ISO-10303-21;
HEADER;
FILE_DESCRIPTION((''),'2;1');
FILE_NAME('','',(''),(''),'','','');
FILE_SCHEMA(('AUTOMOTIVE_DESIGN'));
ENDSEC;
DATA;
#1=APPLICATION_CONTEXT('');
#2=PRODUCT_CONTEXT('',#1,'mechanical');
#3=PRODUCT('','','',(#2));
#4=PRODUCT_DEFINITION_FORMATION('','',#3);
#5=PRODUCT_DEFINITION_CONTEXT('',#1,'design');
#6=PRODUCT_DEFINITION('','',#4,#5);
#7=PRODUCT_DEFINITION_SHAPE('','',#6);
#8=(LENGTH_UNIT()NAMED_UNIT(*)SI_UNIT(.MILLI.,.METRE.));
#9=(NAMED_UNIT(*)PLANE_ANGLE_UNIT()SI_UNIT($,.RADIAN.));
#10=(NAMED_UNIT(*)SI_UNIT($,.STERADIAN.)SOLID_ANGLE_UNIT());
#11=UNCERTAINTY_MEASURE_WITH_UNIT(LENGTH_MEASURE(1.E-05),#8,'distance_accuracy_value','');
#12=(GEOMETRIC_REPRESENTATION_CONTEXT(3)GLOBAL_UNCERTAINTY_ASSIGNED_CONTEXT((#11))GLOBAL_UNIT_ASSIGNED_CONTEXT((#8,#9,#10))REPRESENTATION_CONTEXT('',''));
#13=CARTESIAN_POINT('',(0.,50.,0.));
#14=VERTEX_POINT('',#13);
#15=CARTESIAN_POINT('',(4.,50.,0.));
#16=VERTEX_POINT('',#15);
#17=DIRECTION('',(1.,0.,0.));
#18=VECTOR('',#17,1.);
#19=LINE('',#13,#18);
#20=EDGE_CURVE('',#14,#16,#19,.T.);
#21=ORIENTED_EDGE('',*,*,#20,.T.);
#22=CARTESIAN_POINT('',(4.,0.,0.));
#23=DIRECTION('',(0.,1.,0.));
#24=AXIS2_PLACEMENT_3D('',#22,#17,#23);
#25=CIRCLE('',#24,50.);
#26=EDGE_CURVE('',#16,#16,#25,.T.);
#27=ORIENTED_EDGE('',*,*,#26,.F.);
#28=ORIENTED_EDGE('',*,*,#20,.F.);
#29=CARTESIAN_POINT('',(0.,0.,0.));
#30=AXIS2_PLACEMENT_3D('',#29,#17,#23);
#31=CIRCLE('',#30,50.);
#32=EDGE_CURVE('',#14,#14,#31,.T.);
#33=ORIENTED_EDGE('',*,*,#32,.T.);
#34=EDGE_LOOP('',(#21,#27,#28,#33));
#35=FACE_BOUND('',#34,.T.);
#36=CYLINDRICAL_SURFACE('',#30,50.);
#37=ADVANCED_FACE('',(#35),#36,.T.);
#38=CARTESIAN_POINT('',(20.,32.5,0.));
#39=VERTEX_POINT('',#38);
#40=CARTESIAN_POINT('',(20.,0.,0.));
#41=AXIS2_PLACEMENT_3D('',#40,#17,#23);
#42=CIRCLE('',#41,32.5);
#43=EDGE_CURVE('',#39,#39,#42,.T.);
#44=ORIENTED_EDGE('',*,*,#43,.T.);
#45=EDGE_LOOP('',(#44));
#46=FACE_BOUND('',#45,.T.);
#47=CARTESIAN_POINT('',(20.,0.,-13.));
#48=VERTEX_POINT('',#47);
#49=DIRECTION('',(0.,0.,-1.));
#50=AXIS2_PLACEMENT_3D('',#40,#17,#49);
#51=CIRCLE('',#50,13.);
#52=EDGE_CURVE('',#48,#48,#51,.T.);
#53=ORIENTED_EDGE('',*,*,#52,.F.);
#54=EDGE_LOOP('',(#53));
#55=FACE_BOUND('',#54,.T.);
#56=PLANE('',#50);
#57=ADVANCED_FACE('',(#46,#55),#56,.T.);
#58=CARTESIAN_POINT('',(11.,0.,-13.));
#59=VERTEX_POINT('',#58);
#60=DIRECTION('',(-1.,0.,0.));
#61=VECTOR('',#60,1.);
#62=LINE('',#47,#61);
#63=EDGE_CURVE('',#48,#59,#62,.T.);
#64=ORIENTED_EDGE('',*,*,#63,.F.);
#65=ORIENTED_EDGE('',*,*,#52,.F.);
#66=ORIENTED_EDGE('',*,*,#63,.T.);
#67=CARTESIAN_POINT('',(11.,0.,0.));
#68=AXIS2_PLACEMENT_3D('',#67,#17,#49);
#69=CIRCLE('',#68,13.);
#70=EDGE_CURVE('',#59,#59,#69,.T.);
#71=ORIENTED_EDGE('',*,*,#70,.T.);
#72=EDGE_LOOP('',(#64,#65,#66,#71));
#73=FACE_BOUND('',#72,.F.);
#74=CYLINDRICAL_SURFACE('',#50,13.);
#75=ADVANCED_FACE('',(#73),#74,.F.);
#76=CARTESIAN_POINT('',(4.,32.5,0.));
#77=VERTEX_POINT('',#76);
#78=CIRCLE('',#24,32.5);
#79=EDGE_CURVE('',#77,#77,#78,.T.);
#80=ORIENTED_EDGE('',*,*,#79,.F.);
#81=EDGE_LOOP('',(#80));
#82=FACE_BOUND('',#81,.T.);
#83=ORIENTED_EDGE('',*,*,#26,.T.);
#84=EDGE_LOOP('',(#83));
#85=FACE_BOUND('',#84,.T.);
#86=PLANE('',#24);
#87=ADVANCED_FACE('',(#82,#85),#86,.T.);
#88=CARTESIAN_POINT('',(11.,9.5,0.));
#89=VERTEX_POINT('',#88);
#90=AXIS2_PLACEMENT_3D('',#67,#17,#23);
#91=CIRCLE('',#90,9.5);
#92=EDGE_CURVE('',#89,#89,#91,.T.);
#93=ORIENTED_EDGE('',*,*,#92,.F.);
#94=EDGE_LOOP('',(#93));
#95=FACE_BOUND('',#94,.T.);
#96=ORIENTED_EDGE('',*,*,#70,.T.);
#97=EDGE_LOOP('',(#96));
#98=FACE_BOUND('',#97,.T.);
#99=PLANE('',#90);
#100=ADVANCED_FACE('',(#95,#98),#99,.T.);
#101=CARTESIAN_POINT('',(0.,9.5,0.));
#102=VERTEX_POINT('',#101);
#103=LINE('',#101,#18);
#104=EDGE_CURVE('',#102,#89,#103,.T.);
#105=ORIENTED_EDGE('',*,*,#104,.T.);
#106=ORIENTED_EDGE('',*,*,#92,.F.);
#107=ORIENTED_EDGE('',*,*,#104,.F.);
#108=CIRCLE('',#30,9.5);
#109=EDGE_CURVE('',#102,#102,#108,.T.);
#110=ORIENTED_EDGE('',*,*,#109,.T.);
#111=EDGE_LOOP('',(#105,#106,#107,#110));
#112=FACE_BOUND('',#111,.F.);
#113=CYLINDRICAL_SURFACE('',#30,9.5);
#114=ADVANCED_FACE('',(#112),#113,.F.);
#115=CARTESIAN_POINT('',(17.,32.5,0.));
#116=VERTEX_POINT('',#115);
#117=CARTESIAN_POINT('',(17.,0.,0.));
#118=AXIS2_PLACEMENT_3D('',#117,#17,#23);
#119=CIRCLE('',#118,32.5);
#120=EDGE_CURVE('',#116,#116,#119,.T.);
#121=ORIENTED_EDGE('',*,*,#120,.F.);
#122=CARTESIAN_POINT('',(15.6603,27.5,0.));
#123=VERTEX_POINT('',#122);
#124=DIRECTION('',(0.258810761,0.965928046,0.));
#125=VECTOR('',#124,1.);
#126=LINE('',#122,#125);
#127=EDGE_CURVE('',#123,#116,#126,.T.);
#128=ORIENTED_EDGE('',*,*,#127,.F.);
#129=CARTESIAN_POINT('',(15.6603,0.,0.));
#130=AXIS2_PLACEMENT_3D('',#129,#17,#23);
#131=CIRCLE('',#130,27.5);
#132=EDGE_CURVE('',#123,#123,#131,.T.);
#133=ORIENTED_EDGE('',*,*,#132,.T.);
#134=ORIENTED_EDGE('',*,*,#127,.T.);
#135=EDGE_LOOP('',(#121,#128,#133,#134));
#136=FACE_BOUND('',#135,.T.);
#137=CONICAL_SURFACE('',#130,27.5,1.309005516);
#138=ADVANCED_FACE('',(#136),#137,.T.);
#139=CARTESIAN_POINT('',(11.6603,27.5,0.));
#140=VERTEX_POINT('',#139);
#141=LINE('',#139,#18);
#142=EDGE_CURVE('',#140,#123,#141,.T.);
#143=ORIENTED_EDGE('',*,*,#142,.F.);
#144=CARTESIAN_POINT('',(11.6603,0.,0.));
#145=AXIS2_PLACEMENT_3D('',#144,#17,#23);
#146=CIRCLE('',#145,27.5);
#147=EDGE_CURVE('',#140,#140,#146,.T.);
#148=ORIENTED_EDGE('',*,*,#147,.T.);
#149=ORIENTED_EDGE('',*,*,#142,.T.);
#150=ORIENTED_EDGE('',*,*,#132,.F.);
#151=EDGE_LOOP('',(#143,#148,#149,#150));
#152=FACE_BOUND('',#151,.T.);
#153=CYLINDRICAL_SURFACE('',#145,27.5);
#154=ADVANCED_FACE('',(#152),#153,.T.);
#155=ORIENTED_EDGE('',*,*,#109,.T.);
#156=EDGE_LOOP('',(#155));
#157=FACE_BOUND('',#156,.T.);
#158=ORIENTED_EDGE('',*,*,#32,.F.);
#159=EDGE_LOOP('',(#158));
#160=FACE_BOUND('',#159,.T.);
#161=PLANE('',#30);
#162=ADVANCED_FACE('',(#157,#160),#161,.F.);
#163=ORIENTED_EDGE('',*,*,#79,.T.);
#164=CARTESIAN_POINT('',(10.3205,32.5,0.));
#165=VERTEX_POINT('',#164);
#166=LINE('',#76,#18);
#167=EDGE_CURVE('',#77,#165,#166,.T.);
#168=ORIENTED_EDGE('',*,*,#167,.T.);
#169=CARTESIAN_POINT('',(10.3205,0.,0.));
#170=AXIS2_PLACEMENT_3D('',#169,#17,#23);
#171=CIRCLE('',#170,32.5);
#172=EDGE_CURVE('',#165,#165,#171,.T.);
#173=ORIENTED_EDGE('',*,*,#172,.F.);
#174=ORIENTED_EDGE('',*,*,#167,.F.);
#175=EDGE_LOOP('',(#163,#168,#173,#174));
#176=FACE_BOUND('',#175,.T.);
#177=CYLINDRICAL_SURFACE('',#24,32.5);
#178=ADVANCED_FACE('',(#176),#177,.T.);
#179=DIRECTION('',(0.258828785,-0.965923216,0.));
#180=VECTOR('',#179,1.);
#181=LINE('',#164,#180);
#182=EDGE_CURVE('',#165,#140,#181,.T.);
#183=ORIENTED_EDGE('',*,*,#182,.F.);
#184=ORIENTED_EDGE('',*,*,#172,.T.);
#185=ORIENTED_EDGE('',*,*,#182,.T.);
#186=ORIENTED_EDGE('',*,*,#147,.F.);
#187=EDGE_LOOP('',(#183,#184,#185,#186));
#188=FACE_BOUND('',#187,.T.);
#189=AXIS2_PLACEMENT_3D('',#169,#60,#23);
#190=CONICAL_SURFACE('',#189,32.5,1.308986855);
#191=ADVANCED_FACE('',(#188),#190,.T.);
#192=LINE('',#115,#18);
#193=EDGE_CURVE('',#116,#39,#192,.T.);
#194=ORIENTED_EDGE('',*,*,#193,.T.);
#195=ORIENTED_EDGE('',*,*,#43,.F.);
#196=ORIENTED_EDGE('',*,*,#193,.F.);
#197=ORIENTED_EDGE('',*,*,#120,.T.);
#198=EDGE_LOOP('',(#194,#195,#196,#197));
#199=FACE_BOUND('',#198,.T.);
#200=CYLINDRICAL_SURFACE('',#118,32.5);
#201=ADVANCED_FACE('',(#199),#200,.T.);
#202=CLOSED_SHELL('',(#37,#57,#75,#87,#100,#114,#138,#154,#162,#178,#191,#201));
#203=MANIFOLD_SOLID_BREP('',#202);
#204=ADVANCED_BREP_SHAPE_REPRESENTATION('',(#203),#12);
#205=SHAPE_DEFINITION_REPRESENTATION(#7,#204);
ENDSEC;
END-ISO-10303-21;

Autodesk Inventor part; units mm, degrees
ref_plane "YZ Plane" through (0, 0, 0) normal (1, 0, 0) x (0, 1, 0)
ref_plane "XZ Plane" through (0, 0, 0) normal (0, 1, 0) x (-1, 0, 0)
ref_plane "XY Plane" through (0, 0, 0) normal (0, 0, 1) x (1, 0, 0)
sketch "Boceto1" plane through (0, 0, 0) normal (0, 0, 1) x (1, 0, 0)
  line L0 (0, 0) -> (24.2042, 0) construction
  line L1 (0, 9.5) -> (11, 9.5)
  line L2 (0, 9.5) -> (0, 50)
  line L3 (0, 50) -> (4, 50)
  line L4 (4, 50) -> (4, 32.5)
  line L5 (4, 32.5) -> (10.3205, 32.5)
  line L6 (10.3205, 32.5) -> (11.6603, 27.5)
  line L7 (11.6603, 27.5) -> (15.6603, 27.5)
  line L8 (15.6603, 27.5) -> (17, 32.5)
  line L9 (17, 32.5) -> (20, 32.5)
  line L10 (20, 32.5) -> (20, 13.925)
  line L11 (20, 13.925) -> (11, 13.925)
  line L12 (11, 13.925) -> (11, 9.5)
  line L13 (0, 0) -> (0, 63.5344) construction
  line L14 (13.6603, 27.5) -> (13.6603, 32.5) construction
  line L15 (13.6603, 32.5) -> (10.3205, 32.5) construction
  dimension "d0" = 50
  dimension "d1" = 4
  dimension "d3" = 3
  dimension "d4" = 13.925
  dimension "d5" = 5
  dimension "d6" = 4
  dimension "d7" = 15
  dimension "d8" = 15
  dimension "d10" = 9.5
  dimension "d11" = 9
  dimension "d12" = 32.5
  dimension "d13" = 20
revolve "Revolución1" add sketch "Boceto1" angle 360 about axis through (0, 0, 0) along (1, 0, 0)
sketch "Sketch2" plane through (20, 0, 0) normal (1, 0, 0) x (0, 0, -1)
  circle A0 centre (0, 0) radius 13.925 projected
  circle A1 centre (0, 0) radius 13
  circle A2 centre (0, 0) radius 13.925 projected
  dimension "d14" = 26
extrude "Extrusion1" add sketch "Sketch2" against normal up to surface (9 mm away)
properties part number "Reel1ACABARMEDIDAS"
